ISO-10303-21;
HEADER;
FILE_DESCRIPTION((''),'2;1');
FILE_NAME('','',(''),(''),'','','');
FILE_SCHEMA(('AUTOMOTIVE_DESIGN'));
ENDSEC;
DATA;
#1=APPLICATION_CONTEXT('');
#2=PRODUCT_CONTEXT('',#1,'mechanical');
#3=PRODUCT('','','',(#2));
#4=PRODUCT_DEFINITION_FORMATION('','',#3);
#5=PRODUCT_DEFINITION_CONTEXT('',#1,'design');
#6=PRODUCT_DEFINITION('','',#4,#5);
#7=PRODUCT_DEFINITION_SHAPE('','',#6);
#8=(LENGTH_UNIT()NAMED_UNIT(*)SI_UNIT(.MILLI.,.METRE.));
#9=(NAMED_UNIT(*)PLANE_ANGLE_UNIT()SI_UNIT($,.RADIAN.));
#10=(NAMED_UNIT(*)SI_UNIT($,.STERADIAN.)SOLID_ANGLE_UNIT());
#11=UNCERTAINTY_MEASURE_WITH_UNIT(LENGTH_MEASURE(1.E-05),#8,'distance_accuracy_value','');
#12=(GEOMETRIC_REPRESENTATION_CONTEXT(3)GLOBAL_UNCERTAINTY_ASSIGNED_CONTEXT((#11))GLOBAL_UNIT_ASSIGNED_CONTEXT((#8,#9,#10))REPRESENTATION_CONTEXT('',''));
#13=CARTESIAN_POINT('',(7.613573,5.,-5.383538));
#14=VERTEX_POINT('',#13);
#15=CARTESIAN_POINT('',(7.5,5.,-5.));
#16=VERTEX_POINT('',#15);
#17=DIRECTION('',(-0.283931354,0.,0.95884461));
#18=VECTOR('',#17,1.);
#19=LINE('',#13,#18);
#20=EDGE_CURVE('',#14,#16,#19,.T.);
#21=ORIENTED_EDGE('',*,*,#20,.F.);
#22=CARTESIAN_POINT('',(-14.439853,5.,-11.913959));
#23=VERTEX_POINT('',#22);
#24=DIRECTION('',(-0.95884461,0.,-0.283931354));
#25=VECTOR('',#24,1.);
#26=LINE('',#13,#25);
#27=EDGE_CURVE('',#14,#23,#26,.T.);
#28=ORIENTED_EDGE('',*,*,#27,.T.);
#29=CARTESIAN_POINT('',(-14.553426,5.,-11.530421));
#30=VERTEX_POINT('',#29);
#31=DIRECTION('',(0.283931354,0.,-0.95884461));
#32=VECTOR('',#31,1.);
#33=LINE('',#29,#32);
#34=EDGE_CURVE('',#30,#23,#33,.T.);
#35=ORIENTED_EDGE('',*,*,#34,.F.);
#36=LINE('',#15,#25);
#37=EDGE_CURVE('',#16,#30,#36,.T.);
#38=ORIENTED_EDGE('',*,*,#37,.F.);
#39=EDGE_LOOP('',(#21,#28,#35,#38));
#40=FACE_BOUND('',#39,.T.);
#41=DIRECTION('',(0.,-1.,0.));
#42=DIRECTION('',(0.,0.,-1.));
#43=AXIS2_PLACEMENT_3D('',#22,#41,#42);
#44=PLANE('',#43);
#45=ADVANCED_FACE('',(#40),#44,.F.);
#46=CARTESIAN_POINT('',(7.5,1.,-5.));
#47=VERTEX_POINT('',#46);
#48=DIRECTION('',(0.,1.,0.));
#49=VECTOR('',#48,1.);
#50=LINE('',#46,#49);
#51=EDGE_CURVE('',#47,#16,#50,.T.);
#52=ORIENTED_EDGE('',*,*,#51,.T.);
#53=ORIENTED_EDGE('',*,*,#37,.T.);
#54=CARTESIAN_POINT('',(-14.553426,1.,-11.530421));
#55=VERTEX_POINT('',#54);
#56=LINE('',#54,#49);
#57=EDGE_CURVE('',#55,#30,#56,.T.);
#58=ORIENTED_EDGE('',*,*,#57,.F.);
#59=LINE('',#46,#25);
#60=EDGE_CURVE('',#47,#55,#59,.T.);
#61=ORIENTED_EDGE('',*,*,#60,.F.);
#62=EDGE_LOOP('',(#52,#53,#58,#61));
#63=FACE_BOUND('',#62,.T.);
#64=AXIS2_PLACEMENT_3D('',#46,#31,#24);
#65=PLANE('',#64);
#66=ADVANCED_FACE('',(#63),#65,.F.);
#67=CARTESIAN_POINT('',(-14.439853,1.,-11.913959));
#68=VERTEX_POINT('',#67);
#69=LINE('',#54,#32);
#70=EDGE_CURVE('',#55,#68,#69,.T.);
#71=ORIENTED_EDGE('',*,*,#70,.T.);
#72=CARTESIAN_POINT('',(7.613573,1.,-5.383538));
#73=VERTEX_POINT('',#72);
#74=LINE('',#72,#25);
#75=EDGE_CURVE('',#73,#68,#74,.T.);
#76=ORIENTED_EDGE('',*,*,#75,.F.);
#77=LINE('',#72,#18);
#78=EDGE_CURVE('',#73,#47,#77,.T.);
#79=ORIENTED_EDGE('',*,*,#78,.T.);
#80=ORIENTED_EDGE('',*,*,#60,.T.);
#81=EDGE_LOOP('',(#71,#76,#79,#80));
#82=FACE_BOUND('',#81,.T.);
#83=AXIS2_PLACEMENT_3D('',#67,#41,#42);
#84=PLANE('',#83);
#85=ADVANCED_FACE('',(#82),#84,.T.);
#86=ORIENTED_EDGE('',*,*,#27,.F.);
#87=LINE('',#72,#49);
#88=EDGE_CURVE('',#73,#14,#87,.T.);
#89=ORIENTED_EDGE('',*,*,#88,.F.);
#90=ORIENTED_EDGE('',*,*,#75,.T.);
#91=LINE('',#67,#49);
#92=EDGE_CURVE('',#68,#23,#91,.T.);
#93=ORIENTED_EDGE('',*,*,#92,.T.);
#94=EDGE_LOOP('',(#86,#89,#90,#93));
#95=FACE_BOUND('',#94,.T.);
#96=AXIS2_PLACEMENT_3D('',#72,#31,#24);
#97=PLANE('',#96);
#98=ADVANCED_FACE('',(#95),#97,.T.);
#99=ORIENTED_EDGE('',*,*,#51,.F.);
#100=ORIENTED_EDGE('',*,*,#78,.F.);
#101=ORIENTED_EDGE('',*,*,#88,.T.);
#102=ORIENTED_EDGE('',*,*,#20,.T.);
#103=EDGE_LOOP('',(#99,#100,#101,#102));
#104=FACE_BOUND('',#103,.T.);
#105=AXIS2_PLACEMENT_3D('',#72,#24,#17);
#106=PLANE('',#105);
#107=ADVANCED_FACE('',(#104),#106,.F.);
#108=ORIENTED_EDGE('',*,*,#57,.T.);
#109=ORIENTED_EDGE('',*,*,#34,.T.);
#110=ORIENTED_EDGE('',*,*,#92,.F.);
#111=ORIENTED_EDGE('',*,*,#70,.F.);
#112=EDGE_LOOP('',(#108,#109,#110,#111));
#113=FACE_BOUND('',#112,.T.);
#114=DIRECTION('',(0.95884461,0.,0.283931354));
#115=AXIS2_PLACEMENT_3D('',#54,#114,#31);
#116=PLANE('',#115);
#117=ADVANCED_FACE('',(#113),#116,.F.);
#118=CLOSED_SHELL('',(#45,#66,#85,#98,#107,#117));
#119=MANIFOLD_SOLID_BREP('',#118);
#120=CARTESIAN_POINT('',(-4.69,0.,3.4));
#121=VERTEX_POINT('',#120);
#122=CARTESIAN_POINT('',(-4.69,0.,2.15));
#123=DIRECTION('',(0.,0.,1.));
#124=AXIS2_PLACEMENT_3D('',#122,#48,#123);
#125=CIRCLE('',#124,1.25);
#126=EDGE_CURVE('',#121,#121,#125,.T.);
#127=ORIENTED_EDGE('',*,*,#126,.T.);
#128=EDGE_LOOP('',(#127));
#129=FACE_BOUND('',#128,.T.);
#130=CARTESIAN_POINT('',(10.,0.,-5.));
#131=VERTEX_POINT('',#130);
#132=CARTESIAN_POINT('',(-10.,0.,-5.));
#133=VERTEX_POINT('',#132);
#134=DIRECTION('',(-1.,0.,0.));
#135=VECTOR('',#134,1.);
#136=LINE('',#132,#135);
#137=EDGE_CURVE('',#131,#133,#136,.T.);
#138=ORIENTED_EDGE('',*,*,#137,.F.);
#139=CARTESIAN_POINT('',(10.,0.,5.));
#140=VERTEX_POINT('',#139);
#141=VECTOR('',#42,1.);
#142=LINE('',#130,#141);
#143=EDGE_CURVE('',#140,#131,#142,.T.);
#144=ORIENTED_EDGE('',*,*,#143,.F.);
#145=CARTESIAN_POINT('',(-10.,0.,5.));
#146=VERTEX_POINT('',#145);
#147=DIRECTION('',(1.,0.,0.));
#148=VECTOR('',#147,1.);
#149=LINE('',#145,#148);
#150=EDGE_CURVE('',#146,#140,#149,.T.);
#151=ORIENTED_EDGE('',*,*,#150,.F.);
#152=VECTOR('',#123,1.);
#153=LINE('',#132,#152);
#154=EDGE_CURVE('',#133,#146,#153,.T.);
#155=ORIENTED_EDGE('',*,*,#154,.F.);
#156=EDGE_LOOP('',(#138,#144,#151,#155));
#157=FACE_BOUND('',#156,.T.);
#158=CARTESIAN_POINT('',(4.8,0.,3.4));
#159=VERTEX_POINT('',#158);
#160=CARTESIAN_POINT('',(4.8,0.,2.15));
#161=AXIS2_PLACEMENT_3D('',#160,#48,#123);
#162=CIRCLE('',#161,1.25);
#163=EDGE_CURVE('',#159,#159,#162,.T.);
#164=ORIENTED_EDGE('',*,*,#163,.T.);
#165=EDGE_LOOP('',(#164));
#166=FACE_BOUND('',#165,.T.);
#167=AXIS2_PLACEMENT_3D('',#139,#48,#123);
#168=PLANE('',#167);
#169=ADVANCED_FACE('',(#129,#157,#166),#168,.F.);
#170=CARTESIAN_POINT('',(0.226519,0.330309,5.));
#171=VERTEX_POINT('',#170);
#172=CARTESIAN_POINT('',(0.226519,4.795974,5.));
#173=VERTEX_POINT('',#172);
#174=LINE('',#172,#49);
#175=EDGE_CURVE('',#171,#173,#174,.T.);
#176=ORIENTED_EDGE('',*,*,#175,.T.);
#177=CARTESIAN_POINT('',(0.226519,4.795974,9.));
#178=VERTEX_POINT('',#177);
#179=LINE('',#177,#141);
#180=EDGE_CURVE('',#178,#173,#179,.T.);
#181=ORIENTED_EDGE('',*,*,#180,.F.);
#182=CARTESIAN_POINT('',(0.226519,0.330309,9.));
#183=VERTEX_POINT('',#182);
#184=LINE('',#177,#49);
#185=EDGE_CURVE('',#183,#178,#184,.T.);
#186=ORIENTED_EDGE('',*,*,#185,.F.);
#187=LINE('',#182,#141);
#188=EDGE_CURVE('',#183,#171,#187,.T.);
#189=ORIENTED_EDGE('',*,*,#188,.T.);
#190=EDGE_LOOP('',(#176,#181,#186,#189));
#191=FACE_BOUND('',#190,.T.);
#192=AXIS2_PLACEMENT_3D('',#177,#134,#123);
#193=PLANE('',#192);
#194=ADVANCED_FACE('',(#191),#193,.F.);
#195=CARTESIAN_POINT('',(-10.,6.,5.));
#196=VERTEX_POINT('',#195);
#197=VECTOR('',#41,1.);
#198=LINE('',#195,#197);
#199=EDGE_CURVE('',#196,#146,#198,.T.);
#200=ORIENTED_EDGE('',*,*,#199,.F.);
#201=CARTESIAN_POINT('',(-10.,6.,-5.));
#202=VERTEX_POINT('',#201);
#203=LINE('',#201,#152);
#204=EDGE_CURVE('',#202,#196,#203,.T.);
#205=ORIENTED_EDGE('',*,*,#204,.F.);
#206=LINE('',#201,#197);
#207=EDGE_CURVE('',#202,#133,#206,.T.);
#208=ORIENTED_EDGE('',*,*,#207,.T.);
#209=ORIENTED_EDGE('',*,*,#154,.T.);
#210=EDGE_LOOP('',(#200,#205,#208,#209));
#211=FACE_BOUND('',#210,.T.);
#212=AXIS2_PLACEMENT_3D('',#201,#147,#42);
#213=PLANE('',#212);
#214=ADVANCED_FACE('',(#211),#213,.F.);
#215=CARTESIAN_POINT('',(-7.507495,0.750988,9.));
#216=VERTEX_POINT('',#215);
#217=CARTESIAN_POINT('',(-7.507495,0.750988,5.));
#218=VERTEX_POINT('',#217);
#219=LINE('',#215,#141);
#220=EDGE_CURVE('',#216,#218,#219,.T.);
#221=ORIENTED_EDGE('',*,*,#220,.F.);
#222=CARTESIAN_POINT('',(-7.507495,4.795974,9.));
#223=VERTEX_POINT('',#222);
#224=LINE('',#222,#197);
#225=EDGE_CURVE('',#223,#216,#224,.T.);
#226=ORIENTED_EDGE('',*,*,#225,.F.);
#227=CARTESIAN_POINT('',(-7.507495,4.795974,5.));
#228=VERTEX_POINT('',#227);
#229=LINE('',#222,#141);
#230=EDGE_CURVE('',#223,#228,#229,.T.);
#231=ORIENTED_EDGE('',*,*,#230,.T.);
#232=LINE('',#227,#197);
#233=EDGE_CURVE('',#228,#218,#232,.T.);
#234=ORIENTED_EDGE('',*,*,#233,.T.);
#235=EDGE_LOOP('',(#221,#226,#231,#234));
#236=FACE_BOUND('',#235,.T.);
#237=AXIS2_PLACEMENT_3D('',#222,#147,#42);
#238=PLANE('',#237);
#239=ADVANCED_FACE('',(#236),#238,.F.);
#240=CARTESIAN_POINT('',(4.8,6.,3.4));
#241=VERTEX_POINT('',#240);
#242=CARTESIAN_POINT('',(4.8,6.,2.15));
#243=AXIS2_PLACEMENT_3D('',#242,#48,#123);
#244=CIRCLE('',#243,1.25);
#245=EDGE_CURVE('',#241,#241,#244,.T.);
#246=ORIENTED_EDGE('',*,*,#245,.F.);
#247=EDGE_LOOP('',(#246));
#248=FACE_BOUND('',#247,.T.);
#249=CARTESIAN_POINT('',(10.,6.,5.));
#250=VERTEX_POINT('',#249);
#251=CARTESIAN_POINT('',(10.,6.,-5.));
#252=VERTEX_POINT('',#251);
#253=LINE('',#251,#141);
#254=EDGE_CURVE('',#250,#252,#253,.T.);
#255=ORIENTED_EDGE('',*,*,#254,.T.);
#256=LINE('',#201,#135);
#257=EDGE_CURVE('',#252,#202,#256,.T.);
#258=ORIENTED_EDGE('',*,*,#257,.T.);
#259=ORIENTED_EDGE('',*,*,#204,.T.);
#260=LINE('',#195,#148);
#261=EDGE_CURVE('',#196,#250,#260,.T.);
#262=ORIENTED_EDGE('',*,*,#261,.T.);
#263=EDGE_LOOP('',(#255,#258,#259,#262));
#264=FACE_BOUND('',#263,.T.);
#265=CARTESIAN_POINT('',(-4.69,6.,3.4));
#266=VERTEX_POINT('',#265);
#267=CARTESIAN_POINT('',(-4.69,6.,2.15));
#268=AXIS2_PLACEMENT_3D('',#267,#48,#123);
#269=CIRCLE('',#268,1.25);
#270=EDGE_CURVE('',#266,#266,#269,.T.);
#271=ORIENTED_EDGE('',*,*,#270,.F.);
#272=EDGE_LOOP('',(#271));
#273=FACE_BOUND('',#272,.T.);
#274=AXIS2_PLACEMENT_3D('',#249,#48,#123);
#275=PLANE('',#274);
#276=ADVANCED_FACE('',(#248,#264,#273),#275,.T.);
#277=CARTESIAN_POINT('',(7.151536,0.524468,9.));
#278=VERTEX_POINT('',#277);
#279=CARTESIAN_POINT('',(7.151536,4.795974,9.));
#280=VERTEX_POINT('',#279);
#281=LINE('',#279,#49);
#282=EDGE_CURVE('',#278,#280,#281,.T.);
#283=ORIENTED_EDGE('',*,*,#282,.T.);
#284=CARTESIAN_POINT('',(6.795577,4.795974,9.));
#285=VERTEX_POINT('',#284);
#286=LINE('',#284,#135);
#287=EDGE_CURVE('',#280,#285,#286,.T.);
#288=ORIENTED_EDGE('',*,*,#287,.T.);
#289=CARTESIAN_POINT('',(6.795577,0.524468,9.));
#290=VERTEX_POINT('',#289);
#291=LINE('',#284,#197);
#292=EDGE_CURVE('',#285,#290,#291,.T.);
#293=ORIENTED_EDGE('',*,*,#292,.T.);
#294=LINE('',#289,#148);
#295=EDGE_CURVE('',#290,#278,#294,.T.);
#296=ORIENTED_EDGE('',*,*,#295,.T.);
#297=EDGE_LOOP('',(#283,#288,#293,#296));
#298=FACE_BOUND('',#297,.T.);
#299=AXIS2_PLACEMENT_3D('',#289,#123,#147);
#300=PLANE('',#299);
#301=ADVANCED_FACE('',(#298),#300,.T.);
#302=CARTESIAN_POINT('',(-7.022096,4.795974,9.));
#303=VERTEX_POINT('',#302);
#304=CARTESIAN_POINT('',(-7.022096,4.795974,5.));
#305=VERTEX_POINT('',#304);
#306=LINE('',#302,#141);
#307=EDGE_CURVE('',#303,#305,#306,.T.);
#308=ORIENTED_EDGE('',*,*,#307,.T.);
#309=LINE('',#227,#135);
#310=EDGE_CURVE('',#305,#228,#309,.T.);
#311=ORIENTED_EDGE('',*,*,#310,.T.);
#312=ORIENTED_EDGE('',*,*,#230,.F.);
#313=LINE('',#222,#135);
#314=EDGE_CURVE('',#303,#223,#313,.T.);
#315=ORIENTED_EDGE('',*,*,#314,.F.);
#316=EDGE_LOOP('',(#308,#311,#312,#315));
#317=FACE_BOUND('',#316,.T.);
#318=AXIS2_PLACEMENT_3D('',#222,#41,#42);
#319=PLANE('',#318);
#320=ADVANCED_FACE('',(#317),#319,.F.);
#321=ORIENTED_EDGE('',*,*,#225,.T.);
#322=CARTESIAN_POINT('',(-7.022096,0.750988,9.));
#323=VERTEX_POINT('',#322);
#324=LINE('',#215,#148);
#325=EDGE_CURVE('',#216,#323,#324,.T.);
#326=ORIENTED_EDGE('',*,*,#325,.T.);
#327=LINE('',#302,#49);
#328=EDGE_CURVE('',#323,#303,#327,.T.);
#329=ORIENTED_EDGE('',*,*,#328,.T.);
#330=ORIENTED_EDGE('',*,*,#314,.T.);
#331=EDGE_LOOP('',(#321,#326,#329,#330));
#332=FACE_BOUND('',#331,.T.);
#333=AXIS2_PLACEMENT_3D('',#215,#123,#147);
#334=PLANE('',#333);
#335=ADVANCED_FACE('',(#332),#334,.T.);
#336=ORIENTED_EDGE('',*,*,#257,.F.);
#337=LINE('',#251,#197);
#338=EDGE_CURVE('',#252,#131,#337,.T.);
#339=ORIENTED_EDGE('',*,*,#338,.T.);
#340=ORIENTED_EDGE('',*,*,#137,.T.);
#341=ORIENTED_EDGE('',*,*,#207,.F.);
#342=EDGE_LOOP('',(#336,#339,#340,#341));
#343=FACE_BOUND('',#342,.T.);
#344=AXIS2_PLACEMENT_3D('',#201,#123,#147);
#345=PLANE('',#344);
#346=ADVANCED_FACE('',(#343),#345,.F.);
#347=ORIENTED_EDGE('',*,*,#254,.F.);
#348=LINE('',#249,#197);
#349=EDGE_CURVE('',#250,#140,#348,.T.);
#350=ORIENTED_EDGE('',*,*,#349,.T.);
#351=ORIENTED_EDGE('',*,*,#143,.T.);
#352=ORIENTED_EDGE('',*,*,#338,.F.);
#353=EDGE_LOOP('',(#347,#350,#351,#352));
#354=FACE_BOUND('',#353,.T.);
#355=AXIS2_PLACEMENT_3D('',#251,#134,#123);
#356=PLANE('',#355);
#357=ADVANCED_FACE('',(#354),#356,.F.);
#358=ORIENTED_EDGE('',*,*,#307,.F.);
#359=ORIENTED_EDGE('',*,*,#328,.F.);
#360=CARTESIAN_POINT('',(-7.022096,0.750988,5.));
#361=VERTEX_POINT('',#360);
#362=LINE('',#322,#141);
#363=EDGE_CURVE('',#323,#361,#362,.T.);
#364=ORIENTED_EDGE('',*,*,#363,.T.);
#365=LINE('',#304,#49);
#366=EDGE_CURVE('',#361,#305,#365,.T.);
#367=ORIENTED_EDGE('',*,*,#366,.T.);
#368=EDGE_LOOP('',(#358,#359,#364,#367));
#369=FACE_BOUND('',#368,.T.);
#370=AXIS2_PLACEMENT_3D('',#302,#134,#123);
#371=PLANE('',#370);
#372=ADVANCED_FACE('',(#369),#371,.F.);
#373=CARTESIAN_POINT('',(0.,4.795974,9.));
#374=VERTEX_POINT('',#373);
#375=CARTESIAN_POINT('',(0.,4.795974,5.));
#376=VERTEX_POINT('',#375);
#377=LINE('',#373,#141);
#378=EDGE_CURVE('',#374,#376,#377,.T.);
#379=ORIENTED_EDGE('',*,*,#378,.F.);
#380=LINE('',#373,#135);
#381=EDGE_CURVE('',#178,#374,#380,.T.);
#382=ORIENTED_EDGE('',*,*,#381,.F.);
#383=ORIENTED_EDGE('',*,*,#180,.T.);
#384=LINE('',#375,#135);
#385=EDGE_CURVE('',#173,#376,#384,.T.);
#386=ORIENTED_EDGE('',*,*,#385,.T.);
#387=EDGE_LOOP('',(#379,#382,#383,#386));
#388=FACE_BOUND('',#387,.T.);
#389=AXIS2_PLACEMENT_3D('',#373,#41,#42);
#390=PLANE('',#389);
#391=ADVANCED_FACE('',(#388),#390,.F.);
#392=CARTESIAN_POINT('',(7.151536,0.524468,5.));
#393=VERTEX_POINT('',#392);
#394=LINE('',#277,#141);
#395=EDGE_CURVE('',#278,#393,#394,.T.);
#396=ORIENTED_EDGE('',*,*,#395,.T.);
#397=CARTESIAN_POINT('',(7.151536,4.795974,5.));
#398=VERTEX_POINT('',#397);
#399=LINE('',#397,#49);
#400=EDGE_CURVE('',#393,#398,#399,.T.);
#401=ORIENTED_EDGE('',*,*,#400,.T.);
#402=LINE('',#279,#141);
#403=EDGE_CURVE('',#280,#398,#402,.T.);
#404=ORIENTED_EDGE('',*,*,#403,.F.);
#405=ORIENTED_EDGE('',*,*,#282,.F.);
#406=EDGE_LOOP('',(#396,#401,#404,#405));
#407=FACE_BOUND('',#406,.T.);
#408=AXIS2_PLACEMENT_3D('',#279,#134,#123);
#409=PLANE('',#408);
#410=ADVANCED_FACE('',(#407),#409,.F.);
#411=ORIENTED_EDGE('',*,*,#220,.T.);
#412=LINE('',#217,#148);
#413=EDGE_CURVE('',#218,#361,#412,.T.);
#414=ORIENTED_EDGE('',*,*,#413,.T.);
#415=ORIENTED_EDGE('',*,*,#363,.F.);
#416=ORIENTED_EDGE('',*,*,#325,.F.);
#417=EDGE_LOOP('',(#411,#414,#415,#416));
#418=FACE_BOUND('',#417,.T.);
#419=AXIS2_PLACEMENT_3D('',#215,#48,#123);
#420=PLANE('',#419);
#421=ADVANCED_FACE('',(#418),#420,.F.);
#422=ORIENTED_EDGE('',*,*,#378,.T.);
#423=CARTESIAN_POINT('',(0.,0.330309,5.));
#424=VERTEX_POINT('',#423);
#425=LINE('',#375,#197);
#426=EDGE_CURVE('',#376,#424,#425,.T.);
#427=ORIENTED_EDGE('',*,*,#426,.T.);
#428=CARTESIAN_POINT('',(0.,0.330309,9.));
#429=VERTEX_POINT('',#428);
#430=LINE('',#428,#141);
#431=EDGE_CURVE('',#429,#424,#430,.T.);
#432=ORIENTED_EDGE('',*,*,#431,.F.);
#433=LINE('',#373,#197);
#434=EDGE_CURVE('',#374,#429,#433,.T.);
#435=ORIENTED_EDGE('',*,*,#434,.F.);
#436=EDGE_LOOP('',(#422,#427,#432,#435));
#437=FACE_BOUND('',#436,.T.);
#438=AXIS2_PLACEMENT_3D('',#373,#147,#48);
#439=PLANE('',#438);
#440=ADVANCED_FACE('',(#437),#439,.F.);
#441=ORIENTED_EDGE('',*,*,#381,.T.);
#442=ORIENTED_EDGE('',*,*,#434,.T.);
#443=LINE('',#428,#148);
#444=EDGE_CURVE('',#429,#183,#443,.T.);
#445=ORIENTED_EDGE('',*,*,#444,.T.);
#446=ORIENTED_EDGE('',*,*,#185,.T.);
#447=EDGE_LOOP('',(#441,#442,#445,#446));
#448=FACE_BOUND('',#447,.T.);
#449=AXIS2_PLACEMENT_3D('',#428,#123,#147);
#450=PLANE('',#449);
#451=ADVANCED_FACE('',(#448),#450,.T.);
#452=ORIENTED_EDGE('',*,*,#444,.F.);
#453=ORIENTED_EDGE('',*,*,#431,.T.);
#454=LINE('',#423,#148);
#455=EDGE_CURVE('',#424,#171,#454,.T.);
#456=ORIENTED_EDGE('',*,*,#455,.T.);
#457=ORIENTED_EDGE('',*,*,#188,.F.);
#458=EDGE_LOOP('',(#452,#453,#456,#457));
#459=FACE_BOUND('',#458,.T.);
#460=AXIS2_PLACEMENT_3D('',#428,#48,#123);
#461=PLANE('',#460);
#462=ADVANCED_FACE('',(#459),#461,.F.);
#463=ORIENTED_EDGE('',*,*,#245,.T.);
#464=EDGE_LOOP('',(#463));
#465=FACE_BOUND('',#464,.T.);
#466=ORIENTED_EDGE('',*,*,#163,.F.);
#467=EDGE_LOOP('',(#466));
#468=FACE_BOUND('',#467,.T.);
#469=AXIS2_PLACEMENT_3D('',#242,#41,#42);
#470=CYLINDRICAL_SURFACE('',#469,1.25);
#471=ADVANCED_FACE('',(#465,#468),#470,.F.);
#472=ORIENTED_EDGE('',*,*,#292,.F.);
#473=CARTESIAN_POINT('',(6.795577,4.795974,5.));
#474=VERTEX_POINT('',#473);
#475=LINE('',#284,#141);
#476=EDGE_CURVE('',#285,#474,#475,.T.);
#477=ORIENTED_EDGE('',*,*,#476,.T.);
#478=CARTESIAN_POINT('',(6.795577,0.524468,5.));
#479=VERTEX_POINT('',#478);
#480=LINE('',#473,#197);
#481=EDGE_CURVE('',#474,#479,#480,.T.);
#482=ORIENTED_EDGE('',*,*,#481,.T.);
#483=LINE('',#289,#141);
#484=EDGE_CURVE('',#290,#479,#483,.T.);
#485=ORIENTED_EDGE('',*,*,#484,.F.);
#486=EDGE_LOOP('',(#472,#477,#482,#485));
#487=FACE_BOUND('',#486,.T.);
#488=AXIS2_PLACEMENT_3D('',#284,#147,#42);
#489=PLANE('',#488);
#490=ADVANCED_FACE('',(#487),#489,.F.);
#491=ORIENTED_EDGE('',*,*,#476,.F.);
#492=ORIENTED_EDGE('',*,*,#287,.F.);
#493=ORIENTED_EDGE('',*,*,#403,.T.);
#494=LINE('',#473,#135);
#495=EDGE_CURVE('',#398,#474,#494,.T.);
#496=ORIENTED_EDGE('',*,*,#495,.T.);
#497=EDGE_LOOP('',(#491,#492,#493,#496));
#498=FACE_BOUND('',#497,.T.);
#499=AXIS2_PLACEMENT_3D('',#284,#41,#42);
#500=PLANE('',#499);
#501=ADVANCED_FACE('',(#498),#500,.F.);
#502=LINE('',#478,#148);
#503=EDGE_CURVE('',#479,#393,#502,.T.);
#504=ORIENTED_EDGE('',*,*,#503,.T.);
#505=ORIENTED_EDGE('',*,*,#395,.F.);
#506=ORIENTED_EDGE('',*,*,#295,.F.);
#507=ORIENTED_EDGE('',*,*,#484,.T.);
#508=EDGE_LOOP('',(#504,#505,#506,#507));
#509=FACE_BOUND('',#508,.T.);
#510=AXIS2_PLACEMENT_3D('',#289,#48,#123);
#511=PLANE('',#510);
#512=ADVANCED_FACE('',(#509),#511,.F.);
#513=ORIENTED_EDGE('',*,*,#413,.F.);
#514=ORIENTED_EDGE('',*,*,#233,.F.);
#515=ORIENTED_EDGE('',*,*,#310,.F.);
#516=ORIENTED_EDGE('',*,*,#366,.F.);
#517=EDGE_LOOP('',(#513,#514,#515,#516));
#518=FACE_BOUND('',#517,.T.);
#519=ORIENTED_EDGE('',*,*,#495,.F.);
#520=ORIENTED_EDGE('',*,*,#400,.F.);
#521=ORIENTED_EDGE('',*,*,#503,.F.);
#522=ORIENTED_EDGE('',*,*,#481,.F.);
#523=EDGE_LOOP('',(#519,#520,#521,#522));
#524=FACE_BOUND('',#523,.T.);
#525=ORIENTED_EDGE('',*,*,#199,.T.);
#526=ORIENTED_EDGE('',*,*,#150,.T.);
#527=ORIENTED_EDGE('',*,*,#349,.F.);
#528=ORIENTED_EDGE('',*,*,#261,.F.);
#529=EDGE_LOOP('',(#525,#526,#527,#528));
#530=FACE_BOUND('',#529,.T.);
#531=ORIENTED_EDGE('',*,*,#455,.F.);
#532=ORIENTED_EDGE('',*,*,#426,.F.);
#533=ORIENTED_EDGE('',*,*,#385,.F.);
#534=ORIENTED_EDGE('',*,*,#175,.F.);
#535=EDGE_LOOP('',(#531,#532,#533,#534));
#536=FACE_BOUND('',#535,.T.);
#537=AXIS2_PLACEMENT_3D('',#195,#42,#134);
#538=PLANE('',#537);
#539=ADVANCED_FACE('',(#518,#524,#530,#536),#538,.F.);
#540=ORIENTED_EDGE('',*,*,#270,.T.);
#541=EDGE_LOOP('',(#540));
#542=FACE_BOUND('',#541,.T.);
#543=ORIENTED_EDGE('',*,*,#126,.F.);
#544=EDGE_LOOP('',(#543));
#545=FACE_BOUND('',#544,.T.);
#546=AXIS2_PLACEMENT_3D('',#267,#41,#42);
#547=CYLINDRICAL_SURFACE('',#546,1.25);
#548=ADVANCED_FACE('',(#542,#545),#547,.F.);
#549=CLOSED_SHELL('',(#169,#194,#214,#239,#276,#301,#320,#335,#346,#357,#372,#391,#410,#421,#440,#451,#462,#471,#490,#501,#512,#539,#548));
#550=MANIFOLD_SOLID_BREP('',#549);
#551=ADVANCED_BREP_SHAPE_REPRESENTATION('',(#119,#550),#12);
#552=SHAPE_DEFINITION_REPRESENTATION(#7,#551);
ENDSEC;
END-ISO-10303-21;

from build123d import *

# Parameters (mm, degrees)
ESBO_O1_W                = 20
ESBO_O1_H                = 10
ESBO_O1_R                = 1.25
RESSALTO_EXTRUS_O1_DEPTH = 6
ESBO_O2_W                = 0.485398366
ESBO_O2_H                = 4.044986381
ESBO_O2_W_2              = 0.226519237
ESBO_O2_H_2              = 4.465664965
ESBO_O2_W_3              = 0.355958801
ESBO_O2_H_3              = 4.271505618
RESSALTO_EXTRUS_O2_DEPTH = 4
EXTRUS_O_FINA1_START     = -1
EXTRUS_O_FINA1_DEPTH     = 4


with BuildPart() as part:
    # Esboço1 → Ressalto-extrusão1 (new body)
    with BuildSketch(Plane(origin=(0, 0, 0), x_dir=(1, 0, 0), z_dir=(0, 1, 0))):
        Rectangle(ESBO_O1_W, ESBO_O1_H)
        with Locations((-4.69, -2.15)):
            Circle(ESBO_O1_R, mode=Mode.SUBTRACT)
        with Locations((4.8, -2.15)):
            Circle(ESBO_O1_R, mode=Mode.SUBTRACT)
    extrude(amount=RESSALTO_EXTRUS_O1_DEPTH)

    # Esboço2 → Ressalto-extrusão2 (add)
    with BuildSketch(Plane.XY.offset(5)):
        with Locations((-7.264795541, 2.773480763)):
            Rectangle(ESBO_O2_W, ESBO_O2_H)
        with Locations((0.113259619, 2.563141471)):
            Rectangle(ESBO_O2_W_2, ESBO_O2_H_2)
        with Locations((6.973556522, 2.660221144)):
            Rectangle(ESBO_O2_W_3, ESBO_O2_H_3)
    extrude(amount=RESSALTO_EXTRUS_O2_DEPTH)


with BuildPart() as body_2:
    # Esboço3 → Extrusão-Fina1 (new body)
    with BuildSketch(Plane(origin=(0, 6, 0), x_dir=(1, 0, 0), z_dir=(0, 1, 0)).offset(EXTRUS_O_FINA1_START)):
        Polygon((7.5, 5), (-14.553426034, 11.530421131), (-14.439853493, 11.913958975), (7.613572541, 5.383537844), align=None)
    extrude(amount=-EXTRUS_O_FINA1_DEPTH)


solid = Compound([part.part, body_2.part])
